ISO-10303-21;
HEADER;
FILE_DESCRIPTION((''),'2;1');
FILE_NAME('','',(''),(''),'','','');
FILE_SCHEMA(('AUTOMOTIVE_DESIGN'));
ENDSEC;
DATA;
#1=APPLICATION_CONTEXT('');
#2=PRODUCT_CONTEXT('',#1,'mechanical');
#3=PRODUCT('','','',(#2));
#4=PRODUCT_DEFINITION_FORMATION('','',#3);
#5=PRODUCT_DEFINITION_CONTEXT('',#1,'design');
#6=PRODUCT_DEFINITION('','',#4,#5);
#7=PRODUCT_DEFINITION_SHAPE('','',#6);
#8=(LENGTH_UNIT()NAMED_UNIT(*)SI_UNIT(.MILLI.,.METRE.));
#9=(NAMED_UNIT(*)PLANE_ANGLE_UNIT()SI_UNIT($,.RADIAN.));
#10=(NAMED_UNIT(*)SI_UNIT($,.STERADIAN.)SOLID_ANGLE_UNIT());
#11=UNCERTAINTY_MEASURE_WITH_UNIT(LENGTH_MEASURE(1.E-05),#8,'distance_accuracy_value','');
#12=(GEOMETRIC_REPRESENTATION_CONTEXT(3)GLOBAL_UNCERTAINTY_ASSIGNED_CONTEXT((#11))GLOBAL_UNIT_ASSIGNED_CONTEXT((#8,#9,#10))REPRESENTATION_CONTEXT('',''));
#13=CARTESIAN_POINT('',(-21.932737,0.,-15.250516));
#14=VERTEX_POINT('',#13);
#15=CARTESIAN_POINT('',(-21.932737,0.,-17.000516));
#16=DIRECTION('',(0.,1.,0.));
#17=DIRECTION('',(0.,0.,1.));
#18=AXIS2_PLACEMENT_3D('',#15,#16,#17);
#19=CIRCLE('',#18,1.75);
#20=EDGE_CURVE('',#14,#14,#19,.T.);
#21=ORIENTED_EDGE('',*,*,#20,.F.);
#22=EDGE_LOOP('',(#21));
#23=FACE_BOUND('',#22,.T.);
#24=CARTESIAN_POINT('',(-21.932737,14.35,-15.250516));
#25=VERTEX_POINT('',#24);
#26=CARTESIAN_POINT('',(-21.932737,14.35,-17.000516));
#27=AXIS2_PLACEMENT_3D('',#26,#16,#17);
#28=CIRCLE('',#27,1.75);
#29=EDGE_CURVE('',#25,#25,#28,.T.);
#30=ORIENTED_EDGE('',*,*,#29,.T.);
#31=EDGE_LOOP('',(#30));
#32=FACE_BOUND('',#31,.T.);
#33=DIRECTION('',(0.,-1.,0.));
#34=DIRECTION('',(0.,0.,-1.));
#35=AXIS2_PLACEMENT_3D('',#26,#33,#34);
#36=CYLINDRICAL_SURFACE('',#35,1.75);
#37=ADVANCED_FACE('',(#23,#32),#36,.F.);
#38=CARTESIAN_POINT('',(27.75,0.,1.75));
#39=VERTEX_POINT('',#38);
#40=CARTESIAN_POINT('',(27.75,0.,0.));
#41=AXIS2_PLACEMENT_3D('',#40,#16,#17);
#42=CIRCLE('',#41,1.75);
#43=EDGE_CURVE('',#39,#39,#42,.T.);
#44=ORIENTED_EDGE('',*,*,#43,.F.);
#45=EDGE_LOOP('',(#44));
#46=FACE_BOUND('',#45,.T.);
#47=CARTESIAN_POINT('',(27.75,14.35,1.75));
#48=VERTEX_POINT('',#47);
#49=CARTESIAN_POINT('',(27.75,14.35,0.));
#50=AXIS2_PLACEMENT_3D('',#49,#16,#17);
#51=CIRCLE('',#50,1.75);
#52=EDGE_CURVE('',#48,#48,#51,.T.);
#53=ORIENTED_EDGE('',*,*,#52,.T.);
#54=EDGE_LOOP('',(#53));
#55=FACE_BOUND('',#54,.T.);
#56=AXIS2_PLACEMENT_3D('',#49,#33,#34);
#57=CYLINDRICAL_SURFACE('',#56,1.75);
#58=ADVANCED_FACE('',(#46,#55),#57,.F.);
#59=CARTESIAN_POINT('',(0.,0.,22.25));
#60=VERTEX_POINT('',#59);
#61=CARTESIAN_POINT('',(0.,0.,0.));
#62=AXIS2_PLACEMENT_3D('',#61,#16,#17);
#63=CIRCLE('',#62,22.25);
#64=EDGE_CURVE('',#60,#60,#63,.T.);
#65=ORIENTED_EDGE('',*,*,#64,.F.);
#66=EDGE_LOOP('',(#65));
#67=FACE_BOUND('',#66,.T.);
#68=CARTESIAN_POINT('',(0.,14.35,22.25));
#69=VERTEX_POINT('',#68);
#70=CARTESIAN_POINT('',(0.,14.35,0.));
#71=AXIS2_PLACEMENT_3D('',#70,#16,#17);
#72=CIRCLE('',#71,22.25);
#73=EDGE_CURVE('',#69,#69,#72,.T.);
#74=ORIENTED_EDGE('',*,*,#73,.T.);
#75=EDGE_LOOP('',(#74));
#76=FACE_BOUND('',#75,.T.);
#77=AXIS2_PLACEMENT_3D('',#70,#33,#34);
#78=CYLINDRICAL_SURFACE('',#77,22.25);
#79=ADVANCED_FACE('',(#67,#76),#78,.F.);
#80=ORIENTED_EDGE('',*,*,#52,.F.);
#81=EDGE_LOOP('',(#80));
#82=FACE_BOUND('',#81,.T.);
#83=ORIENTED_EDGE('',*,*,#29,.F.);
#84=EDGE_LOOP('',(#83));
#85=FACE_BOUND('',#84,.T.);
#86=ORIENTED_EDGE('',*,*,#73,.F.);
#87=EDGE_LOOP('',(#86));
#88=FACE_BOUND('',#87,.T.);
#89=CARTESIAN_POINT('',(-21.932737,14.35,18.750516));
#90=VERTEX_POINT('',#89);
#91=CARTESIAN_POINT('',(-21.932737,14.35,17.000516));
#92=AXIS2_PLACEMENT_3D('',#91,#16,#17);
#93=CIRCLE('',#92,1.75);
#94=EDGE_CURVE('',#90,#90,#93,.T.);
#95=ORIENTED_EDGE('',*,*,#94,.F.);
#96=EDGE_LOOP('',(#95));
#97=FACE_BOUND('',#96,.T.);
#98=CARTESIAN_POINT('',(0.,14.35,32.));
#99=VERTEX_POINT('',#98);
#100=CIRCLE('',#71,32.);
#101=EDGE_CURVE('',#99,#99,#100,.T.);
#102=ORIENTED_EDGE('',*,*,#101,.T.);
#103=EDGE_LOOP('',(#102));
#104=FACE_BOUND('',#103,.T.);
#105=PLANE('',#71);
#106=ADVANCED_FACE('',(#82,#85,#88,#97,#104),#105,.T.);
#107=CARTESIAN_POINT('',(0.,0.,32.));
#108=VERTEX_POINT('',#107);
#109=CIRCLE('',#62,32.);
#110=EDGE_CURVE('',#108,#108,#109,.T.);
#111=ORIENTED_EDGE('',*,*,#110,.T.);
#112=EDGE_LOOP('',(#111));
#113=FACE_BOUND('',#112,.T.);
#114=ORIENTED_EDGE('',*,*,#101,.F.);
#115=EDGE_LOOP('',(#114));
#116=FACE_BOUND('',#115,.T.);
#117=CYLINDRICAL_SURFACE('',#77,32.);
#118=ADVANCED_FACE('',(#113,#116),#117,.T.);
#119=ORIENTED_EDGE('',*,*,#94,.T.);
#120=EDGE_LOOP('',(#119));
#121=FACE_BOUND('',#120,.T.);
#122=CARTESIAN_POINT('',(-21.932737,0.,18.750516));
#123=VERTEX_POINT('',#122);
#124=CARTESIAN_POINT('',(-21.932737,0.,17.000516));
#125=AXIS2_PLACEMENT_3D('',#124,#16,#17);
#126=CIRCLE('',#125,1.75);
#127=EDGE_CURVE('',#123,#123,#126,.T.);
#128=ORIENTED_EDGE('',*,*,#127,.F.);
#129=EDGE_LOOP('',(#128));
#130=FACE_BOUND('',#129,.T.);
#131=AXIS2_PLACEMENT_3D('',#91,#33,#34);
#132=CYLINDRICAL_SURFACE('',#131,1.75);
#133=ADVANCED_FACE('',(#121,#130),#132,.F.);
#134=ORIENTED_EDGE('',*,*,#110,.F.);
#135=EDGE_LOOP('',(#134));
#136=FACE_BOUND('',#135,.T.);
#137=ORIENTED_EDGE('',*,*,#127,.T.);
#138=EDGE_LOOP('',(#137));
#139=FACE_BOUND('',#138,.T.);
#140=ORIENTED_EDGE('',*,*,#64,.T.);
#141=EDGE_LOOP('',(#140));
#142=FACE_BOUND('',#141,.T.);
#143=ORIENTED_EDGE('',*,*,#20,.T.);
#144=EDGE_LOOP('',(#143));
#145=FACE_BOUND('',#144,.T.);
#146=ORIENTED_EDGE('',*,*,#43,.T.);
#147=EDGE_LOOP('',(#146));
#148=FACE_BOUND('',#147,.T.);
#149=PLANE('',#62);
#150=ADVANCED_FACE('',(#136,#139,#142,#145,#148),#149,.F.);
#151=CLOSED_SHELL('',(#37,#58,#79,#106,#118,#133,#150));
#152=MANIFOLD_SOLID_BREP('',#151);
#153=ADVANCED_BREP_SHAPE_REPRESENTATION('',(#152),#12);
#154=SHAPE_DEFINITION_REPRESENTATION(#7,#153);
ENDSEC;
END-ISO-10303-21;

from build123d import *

# Parameters (mm, degrees)
SZKIC1_R                    = 32
SZKIC1_R_2                  = 22.25
SZKIC1_R_3                  = 1.75
DODANIE_WYCI_GNI_CIE1_DEPTH = 14.35


with BuildPart() as part:
    # Szkic1 → Dodanie-wyciągnięcie1 (new body)
    with BuildSketch(Plane(origin=(0, 0, 0), x_dir=(1, 0, 0), z_dir=(0, 1, 0))):
        Circle(SZKIC1_R)
        Circle(SZKIC1_R_2, mode=Mode.SUBTRACT)
        with Locations((27.75, 0)):
            Circle(SZKIC1_R_3, mode=Mode.SUBTRACT)
        with Locations((-21.932737229, -17.000515805)):
            Circle(SZKIC1_R_3, mode=Mode.SUBTRACT)
        with Locations((-21.932737229, 17.000515805)):
            Circle(SZKIC1_R_3, mode=Mode.SUBTRACT)
    extrude(amount=DODANIE_WYCI_GNI_CIE1_DEPTH)


solid = part.part
